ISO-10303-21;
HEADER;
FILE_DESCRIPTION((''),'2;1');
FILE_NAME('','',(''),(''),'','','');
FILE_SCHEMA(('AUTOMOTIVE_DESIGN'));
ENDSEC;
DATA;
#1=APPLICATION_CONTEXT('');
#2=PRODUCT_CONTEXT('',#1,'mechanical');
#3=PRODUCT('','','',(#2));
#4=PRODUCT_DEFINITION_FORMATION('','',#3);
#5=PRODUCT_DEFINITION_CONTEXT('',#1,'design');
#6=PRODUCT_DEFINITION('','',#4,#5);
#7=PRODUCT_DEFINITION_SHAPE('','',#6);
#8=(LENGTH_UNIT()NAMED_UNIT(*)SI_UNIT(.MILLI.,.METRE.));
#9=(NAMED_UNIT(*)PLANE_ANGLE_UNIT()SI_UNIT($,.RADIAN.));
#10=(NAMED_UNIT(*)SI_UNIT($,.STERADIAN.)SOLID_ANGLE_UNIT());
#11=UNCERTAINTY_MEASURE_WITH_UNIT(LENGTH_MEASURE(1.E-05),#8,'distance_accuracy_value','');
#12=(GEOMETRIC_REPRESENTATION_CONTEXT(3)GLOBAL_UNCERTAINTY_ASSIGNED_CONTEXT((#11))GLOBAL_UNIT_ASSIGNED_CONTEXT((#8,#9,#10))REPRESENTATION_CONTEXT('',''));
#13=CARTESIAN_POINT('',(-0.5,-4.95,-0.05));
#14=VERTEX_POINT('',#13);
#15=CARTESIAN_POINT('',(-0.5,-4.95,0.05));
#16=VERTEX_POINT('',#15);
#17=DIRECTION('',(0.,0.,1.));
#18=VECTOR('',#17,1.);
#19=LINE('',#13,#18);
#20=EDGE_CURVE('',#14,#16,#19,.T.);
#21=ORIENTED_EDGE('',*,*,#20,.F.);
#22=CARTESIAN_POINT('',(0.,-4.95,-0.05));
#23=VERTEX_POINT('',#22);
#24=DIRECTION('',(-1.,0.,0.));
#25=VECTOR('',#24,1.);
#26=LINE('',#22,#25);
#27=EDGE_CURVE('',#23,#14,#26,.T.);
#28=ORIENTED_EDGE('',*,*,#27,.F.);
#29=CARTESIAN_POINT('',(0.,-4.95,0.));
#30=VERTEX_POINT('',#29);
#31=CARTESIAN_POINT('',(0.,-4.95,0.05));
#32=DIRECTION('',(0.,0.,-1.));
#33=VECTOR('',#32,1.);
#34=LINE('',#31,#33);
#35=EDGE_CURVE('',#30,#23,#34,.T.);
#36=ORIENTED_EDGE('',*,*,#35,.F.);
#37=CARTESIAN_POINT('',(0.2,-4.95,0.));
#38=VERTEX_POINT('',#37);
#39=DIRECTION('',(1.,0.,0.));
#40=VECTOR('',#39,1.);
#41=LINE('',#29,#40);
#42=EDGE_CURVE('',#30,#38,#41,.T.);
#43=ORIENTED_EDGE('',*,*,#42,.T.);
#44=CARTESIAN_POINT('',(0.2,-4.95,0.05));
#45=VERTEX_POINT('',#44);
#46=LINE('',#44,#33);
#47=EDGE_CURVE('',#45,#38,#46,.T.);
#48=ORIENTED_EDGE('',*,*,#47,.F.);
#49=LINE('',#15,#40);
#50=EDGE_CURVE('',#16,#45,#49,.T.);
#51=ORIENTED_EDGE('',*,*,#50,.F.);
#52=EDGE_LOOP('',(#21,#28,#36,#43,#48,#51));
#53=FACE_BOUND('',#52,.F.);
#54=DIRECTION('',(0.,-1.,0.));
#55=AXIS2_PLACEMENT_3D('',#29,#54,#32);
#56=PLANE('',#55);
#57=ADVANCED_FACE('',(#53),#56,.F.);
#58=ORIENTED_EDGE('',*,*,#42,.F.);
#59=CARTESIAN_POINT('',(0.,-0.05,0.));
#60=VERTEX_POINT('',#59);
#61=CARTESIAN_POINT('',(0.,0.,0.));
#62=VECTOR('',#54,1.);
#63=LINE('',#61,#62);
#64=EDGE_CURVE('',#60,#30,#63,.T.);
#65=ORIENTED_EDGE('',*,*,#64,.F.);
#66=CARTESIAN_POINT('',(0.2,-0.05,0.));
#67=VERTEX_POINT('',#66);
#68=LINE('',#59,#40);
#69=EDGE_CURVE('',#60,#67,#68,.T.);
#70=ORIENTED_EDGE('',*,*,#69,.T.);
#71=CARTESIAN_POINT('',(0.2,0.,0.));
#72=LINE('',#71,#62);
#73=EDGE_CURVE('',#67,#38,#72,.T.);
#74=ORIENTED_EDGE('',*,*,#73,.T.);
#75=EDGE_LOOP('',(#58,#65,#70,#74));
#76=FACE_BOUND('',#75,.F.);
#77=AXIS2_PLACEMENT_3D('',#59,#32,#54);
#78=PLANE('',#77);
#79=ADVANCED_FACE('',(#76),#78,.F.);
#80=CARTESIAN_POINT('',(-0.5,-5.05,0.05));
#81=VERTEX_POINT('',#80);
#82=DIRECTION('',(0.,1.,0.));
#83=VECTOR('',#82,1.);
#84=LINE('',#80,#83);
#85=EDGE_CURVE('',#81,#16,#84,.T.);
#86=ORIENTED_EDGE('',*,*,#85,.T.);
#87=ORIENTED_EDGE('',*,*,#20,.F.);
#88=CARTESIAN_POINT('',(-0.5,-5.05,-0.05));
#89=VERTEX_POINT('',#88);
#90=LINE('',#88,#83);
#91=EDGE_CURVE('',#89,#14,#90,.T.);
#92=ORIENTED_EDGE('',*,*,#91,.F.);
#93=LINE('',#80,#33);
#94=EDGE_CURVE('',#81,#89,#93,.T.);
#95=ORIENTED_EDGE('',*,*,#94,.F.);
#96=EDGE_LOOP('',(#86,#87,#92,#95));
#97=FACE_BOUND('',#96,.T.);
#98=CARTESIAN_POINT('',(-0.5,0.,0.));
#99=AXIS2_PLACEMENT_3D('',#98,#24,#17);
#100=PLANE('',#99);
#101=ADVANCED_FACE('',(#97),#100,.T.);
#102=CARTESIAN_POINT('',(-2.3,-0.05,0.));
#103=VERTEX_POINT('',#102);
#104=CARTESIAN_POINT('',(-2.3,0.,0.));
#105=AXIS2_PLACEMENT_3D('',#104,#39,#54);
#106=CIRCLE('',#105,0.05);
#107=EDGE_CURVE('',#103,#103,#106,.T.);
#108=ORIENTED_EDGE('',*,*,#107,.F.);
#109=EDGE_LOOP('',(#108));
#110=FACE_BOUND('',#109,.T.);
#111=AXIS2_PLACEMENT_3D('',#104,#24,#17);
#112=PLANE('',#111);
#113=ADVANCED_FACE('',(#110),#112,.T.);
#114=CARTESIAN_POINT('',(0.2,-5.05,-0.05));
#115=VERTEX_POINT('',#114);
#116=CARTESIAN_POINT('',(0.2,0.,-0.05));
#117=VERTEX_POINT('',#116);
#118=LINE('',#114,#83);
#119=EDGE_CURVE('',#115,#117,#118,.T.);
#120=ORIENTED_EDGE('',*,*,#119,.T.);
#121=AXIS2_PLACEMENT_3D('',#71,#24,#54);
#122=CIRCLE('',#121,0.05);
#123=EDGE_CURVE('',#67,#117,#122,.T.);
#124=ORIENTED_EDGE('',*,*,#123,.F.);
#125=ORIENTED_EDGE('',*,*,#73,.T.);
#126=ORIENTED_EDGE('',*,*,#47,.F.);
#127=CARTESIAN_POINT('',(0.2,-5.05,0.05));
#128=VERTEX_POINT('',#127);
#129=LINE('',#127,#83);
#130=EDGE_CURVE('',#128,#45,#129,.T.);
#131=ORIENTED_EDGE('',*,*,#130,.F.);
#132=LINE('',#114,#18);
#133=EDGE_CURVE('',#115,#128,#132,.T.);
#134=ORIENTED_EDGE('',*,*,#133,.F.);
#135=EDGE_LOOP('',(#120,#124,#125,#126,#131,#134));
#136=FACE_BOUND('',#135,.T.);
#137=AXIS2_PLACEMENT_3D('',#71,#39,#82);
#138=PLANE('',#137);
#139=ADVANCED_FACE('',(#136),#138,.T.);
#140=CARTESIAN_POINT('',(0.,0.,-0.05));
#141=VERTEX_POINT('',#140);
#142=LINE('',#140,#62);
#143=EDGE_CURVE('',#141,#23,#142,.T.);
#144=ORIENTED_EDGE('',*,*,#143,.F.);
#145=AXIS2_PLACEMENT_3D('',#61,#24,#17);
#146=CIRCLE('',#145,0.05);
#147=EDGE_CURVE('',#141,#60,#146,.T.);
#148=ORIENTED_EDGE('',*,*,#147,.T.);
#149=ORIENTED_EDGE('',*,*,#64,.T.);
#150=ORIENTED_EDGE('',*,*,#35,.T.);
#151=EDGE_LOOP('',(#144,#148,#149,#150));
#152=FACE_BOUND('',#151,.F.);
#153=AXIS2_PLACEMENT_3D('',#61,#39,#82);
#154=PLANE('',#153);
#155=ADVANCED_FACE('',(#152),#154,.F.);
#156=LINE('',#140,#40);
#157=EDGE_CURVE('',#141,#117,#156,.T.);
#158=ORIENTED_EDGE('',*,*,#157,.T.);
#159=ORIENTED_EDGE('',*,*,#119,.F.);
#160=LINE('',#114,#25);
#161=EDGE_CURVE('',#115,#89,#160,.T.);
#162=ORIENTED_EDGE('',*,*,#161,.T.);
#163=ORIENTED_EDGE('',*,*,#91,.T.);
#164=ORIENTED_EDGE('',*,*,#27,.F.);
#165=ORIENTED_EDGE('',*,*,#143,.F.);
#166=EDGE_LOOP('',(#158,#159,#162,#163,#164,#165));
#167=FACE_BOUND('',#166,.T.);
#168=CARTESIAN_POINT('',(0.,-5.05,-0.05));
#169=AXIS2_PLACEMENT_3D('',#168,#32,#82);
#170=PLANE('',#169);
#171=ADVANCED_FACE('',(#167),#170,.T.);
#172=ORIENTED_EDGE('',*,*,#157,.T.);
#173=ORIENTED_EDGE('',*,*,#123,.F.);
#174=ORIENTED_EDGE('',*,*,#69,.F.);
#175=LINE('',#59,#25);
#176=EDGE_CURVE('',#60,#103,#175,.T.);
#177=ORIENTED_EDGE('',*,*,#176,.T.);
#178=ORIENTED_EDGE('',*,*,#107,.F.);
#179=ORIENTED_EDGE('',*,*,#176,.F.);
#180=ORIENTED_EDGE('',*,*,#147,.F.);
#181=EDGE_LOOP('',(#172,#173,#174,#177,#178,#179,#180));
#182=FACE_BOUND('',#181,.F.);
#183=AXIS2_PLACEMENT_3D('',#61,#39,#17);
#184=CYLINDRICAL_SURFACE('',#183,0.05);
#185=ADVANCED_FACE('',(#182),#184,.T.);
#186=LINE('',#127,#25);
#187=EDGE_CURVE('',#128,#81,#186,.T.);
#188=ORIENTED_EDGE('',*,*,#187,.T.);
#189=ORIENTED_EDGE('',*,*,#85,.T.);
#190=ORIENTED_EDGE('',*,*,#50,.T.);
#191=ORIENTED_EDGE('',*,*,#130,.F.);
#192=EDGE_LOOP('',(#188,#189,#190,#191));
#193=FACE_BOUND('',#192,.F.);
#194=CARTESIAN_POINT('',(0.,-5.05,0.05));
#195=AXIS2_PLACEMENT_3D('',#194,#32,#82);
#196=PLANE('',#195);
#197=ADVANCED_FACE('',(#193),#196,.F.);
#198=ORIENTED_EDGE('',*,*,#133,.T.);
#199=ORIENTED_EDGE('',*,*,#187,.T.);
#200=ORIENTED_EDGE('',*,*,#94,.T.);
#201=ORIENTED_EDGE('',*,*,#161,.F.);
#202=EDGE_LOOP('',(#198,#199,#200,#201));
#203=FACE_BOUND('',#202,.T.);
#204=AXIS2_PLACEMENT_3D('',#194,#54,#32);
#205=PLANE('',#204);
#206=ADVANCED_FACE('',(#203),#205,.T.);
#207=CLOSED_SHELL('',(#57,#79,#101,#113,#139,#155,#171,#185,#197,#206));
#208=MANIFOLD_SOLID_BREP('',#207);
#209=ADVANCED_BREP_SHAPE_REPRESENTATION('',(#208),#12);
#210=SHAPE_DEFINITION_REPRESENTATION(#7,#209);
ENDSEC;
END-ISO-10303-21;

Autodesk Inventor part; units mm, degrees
ref_plane "YZ Plane" through (0, 0, 0) normal (1, 0, 0) x (0, 1, 0)
ref_plane "XZ Plane" through (0, 0, 0) normal (0, 1, 0) x (-1, 0, 0)
ref_plane "XY Plane" through (0, 0, 0) normal (0, 0, 1) x (1, 0, 0)
sketch "Sketch1" plane through (0, 0, 0) normal (1, 0, 0) x (0, 1, 0)
  circle A0 centre (0, 0) radius 0.05
  line L0 (0, 0) -> (-5, 0)
  line L1 (-5.05, 0.05) -> (-4.95, 0.05)
  line L2 (-4.95, 0.05) -> (-4.95, -0.05)
  line L3 (-4.95, -0.05) -> (-5.05, -0.05)
  line L4 (-5.05, -0.05) -> (-5.05, 0.05)
  line L5 (-5.05, 0.05) -> (-4.95, -0.05) construction
  line L6 (-4.95, 0.05) -> (-5.05, -0.05) construction
  line L7 (-4.95, -0.05) -> (0, -0.05)
  point P0 (-0.05, 0)
  point P1 (-4.95, 0)
  dimension "d0" = 0.1
  dimension "d1" = 5
  dimension "d2" = 0.1
  dimension "d3" = 0.1
extrude "Extrusion1" add sketch "Sketch1" along normal blind 0.2
sketch "Sketch2" plane through (0, 0, 0) normal (-1, 0, 0) x (0, 0, 1)
  arc A0 (0, -0.05) -> (-0.05, 0) centre (0, 0) ccw projected
  circle A1 centre (0, 0) radius 0.05
  point P0 (-0.05, 0)
  point P1 (0, -0.05)
  dimension "d6" = 0.1
extrude "Extrusion2" add sketch "Sketch2" along normal blind 2.3
sketch "Sketch3" plane through (0, 0, 0) normal (-1, 0, 0) x (0, 0, 1)
  line L0 (-0.05, -5.05) -> (-0.05, 0) projected
  line L1 (0.05, -5.05) -> (-0.05, -5.05) projected
  line L2 (-0.05, -5.05) -> (0.05, -5.05)
  line L3 (0, -4.95) -> (0.05, -4.95) projected
  line L4 (0.05, -5.05) -> (0.05, -4.95)
  line L5 (0.05, -4.95) -> (-0.05, -4.95)
  line L6 (-0.05, -4.95) -> (-0.05, -5.05)
  point P0 (0, 0)
extrude "Extrusion3" add sketch "Sketch3" along normal blind 0.5
properties part number "Bone27_26_Fix"
